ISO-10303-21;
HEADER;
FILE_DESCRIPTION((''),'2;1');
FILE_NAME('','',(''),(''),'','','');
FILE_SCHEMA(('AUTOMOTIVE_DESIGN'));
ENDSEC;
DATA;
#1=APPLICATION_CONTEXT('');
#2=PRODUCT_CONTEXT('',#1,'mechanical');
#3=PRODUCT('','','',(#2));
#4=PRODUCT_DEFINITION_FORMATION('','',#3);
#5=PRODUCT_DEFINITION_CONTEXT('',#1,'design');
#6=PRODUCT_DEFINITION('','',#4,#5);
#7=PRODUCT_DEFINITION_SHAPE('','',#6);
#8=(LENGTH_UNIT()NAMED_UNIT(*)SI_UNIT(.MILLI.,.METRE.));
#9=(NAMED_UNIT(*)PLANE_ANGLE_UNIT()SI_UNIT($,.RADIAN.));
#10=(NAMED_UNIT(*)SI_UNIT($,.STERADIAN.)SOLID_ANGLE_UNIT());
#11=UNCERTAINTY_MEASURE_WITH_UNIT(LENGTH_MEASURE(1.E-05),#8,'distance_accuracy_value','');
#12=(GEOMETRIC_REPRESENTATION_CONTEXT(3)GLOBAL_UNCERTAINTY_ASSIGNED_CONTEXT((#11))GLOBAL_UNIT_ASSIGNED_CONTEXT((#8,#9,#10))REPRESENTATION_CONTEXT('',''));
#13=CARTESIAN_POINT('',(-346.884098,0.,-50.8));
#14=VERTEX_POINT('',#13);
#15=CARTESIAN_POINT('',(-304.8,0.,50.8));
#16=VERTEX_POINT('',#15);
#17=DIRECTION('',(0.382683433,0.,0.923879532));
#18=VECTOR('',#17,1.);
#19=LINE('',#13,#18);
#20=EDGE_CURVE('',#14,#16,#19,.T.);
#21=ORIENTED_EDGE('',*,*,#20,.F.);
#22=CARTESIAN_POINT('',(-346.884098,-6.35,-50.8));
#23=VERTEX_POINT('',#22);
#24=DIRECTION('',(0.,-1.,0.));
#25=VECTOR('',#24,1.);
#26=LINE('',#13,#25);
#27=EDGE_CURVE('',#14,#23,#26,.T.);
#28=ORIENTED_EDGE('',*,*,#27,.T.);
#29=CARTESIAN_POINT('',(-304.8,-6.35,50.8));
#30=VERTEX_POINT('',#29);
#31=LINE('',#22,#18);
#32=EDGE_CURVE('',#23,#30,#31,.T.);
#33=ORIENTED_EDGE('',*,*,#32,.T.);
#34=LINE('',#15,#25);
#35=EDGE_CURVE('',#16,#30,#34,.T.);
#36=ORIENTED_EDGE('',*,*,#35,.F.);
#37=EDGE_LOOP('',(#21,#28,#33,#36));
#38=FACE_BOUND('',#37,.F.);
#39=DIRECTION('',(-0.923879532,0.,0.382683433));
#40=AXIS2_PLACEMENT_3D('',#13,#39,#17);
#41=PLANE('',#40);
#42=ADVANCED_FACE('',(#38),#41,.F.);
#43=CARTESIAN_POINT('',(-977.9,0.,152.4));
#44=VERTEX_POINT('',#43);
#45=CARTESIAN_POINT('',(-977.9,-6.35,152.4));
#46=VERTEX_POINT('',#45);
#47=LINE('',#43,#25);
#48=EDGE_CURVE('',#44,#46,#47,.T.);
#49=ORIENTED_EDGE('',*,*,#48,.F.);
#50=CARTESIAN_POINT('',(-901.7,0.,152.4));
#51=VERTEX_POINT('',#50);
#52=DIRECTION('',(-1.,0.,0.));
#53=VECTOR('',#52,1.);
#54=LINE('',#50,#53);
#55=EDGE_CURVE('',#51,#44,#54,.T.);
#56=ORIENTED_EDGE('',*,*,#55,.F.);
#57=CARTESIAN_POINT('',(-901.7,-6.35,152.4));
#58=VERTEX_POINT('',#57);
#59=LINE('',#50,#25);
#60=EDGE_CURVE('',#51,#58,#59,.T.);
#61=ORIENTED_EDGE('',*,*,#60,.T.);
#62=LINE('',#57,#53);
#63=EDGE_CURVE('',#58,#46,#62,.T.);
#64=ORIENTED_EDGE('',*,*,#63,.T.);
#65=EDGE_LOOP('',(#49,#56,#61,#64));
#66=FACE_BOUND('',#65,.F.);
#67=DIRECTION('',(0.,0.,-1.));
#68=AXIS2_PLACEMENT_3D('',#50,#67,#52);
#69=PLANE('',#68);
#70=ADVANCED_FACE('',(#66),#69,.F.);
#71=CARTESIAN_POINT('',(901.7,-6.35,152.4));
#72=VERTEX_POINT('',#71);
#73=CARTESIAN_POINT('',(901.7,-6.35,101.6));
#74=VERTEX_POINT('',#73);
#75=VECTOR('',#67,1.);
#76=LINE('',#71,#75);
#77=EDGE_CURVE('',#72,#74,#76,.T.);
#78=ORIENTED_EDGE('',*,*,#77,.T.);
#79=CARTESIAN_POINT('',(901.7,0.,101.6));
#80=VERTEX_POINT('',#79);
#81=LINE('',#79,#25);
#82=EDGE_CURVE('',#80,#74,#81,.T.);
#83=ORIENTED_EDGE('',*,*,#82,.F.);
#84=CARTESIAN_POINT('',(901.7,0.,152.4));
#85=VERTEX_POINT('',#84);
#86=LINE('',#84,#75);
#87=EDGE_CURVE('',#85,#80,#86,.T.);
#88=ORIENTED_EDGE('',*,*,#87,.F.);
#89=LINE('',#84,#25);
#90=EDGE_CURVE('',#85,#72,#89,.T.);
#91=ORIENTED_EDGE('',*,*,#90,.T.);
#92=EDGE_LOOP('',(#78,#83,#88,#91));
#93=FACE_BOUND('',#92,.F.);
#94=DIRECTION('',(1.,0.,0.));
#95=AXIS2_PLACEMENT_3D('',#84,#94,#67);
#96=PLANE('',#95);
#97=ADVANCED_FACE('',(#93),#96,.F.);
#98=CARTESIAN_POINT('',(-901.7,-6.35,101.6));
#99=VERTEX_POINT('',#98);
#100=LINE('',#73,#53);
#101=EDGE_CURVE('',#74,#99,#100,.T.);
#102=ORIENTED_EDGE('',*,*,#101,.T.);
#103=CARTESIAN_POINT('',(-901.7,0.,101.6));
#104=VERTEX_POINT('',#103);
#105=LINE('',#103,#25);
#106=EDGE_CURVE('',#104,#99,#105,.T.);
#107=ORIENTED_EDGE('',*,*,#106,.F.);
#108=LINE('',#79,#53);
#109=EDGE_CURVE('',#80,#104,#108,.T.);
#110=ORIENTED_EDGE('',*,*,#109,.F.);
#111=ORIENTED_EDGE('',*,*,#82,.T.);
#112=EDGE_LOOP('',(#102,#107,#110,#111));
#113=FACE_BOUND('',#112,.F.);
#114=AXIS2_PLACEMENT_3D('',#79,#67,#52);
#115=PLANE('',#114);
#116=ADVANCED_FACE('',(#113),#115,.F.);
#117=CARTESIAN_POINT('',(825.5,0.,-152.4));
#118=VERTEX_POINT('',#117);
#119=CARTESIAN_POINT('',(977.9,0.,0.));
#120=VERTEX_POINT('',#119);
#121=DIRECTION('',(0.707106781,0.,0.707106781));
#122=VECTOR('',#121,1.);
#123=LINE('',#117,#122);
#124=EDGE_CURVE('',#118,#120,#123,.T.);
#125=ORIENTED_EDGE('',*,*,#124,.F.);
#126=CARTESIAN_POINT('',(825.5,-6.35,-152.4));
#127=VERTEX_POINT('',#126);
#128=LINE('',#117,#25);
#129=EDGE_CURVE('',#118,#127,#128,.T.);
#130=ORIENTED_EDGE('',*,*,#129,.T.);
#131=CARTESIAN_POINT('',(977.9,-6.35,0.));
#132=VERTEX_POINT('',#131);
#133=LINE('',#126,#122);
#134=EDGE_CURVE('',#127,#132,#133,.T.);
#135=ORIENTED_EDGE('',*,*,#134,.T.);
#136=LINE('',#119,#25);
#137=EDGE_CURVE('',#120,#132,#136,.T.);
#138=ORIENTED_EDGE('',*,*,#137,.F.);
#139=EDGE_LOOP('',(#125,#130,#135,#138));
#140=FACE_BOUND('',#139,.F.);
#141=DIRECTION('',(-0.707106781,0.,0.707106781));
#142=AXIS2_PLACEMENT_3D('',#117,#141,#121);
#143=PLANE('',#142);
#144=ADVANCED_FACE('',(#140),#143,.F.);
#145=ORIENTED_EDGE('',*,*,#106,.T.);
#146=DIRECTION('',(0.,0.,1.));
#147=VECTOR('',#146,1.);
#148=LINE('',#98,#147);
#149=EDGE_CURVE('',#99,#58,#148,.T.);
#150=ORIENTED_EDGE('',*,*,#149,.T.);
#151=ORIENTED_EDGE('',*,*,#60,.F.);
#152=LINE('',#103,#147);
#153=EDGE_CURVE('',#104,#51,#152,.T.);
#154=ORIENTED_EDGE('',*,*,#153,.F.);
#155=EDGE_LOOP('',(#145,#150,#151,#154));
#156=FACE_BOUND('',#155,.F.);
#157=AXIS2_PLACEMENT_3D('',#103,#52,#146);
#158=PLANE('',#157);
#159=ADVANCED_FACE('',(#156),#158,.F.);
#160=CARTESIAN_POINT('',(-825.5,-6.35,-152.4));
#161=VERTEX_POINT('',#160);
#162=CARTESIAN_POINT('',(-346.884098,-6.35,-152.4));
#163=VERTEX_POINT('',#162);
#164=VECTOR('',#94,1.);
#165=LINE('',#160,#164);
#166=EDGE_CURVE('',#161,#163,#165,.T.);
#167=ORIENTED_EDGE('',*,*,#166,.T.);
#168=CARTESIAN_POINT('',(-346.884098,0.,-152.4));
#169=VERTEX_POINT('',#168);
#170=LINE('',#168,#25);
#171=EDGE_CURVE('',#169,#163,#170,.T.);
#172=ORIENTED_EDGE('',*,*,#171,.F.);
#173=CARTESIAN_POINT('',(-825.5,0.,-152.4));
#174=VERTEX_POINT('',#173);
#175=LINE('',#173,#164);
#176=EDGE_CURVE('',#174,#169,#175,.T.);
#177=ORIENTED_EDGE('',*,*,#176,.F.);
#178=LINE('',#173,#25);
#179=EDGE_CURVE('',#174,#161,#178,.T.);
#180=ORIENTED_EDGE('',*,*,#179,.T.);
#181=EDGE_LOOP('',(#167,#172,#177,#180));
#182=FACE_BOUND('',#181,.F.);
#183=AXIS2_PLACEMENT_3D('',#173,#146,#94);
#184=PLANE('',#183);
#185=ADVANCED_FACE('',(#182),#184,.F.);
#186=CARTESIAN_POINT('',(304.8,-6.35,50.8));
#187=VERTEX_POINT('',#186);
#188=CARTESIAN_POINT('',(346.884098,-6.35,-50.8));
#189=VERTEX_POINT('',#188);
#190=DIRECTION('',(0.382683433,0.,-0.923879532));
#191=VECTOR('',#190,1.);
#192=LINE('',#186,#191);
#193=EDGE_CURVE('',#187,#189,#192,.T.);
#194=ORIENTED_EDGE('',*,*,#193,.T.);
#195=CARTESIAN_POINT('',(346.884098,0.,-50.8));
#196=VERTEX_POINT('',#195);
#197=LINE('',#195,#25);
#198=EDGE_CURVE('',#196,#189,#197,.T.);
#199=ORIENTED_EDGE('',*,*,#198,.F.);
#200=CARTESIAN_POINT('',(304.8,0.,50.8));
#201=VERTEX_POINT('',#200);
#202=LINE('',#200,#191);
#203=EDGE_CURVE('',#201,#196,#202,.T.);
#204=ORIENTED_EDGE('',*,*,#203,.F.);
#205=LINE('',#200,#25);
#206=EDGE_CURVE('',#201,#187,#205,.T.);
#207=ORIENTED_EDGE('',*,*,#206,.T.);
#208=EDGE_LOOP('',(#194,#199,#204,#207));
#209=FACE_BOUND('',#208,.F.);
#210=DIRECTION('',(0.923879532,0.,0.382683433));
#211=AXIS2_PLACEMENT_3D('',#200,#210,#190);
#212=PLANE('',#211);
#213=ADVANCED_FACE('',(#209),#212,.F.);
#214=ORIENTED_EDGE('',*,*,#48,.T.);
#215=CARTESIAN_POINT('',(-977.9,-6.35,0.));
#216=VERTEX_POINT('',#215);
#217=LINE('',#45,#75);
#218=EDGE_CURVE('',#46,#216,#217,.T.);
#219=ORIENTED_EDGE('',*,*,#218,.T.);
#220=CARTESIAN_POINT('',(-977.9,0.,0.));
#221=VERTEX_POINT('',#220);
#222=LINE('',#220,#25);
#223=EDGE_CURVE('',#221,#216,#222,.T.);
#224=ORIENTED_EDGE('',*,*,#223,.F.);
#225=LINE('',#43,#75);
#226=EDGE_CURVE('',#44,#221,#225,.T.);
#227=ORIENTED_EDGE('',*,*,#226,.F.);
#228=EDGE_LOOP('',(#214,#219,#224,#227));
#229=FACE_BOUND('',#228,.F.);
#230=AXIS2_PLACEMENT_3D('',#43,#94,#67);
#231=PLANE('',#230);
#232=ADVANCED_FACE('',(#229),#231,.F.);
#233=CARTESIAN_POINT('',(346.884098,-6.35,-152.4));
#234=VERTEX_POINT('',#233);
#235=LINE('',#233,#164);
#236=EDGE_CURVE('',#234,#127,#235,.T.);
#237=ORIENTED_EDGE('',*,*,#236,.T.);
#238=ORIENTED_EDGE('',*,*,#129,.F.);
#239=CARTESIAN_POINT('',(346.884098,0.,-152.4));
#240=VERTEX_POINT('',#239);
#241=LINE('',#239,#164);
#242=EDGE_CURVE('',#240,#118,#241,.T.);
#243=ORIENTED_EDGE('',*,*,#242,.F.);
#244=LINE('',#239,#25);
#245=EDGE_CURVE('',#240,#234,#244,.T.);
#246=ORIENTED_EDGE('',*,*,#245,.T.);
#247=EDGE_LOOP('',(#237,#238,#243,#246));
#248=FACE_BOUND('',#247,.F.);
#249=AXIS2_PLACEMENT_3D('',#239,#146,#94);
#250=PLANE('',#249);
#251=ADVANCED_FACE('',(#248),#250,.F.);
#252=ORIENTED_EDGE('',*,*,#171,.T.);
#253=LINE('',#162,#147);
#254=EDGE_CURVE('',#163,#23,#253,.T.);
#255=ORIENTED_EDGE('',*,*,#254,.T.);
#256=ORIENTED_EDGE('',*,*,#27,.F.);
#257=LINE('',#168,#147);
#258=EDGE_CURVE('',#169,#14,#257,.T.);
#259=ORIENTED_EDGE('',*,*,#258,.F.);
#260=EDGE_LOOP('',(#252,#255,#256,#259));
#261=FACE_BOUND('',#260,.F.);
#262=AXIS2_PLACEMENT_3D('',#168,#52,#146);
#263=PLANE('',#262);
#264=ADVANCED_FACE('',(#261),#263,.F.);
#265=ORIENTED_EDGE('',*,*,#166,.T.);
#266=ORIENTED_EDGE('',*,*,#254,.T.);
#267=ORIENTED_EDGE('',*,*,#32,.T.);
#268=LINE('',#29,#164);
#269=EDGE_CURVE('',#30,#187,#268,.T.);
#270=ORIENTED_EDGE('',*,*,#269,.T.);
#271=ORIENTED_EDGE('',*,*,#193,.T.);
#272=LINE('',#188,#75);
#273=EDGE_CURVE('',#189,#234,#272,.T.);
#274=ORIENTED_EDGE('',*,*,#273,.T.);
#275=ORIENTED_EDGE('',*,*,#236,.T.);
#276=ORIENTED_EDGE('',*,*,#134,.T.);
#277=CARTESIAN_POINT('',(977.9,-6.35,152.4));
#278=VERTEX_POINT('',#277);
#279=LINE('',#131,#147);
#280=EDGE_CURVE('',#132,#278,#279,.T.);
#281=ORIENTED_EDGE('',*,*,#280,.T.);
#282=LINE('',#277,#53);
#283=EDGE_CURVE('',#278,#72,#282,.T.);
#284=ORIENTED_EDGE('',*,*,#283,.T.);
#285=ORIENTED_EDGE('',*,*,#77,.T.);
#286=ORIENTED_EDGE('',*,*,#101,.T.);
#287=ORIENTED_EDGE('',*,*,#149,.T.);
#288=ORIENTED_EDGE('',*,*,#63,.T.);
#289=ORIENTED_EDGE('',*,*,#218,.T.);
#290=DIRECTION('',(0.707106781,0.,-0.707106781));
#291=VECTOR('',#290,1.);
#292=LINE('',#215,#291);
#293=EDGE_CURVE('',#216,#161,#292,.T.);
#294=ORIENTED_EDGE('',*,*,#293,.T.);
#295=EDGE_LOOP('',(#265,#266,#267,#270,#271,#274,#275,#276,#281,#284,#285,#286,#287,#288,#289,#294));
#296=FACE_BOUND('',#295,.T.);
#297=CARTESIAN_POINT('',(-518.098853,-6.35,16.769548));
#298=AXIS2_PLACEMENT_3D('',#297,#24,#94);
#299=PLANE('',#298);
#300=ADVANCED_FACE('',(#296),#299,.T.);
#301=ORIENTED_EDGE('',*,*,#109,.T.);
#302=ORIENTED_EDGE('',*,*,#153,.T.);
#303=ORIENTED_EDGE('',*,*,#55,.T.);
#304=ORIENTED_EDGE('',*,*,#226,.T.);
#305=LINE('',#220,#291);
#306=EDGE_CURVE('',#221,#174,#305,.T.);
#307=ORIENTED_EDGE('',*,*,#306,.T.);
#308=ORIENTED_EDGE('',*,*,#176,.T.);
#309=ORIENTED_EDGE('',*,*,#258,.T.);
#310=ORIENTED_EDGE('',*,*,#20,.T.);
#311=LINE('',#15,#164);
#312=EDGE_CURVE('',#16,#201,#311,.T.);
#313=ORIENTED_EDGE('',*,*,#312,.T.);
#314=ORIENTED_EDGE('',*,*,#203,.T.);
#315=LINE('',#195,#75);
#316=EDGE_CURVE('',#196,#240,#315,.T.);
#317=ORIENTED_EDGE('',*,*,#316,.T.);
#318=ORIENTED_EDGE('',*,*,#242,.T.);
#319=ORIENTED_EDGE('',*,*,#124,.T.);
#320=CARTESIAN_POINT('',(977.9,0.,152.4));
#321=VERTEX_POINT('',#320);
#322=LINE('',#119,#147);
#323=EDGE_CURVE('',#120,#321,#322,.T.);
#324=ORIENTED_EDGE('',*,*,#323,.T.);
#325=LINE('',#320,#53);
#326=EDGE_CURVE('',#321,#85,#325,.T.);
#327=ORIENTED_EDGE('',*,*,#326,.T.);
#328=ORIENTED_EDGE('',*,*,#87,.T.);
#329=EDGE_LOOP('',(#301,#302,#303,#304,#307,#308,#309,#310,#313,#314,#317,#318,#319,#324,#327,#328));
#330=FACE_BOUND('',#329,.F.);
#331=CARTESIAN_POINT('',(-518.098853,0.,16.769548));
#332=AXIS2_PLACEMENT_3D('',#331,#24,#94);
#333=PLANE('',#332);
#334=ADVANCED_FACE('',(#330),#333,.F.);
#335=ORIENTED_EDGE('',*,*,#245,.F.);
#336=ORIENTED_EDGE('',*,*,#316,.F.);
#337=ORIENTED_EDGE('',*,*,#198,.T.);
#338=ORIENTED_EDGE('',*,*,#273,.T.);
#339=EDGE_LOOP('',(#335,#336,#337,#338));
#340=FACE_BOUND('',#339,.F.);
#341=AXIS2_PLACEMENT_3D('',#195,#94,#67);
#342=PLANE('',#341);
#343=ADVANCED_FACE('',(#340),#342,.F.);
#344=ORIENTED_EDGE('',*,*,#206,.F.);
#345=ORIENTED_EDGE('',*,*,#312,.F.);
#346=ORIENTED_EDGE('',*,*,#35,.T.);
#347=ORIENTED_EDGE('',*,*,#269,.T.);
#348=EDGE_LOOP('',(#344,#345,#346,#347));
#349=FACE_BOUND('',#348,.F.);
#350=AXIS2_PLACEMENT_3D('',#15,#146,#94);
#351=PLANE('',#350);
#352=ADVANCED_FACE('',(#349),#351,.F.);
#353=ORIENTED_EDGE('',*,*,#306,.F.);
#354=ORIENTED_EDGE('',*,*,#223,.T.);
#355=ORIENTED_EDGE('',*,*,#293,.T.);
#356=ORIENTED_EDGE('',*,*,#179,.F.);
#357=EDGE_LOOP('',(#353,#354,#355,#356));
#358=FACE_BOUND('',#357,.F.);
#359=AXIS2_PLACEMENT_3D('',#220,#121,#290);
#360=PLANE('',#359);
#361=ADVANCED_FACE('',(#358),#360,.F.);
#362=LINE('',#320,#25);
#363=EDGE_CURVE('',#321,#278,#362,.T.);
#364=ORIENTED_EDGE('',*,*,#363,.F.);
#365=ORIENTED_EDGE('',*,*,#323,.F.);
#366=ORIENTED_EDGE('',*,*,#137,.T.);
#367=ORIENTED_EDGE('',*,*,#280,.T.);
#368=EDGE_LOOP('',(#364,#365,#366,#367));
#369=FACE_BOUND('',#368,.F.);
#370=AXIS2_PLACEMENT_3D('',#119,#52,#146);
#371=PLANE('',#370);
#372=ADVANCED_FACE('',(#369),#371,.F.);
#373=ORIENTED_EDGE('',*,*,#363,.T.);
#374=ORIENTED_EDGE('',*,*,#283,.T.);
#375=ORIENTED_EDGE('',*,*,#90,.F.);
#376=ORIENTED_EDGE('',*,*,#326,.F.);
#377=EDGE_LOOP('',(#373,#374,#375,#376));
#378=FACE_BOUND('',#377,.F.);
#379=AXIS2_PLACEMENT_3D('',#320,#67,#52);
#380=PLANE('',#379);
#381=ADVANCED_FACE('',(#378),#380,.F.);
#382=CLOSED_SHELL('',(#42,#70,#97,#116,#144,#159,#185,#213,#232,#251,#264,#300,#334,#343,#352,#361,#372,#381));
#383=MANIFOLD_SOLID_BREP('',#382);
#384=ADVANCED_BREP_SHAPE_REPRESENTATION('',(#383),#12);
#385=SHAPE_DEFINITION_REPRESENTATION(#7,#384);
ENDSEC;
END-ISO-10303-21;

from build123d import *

# Parameters (mm, degrees)
F1_DEPTH = 6.35


with BuildPart() as f1:
    # F0 (on Front) → F1 (new body)
    with BuildSketch(Plane.XZ):
        Polygon((0, 50.8), (0, 101.6), (-901.7, 101.6), (-901.7, 152.4), (-977.9, 152.4), (-977.9, 0), (-825.5, -152.4), (-346.884098, -152.4), (-346.884098, -50.8), (-304.8, 50.8), align=None)
        Polygon((977.9, 0), (977.9, 152.4), (901.7, 152.4), (901.7, 101.6), (0, 101.6), (0, 50.8), (304.8, 50.8), (346.884098, -50.8), (346.884098, -152.4), (825.5, -152.4), align=None)
    extrude(amount=F1_DEPTH)


solid = f1.part
